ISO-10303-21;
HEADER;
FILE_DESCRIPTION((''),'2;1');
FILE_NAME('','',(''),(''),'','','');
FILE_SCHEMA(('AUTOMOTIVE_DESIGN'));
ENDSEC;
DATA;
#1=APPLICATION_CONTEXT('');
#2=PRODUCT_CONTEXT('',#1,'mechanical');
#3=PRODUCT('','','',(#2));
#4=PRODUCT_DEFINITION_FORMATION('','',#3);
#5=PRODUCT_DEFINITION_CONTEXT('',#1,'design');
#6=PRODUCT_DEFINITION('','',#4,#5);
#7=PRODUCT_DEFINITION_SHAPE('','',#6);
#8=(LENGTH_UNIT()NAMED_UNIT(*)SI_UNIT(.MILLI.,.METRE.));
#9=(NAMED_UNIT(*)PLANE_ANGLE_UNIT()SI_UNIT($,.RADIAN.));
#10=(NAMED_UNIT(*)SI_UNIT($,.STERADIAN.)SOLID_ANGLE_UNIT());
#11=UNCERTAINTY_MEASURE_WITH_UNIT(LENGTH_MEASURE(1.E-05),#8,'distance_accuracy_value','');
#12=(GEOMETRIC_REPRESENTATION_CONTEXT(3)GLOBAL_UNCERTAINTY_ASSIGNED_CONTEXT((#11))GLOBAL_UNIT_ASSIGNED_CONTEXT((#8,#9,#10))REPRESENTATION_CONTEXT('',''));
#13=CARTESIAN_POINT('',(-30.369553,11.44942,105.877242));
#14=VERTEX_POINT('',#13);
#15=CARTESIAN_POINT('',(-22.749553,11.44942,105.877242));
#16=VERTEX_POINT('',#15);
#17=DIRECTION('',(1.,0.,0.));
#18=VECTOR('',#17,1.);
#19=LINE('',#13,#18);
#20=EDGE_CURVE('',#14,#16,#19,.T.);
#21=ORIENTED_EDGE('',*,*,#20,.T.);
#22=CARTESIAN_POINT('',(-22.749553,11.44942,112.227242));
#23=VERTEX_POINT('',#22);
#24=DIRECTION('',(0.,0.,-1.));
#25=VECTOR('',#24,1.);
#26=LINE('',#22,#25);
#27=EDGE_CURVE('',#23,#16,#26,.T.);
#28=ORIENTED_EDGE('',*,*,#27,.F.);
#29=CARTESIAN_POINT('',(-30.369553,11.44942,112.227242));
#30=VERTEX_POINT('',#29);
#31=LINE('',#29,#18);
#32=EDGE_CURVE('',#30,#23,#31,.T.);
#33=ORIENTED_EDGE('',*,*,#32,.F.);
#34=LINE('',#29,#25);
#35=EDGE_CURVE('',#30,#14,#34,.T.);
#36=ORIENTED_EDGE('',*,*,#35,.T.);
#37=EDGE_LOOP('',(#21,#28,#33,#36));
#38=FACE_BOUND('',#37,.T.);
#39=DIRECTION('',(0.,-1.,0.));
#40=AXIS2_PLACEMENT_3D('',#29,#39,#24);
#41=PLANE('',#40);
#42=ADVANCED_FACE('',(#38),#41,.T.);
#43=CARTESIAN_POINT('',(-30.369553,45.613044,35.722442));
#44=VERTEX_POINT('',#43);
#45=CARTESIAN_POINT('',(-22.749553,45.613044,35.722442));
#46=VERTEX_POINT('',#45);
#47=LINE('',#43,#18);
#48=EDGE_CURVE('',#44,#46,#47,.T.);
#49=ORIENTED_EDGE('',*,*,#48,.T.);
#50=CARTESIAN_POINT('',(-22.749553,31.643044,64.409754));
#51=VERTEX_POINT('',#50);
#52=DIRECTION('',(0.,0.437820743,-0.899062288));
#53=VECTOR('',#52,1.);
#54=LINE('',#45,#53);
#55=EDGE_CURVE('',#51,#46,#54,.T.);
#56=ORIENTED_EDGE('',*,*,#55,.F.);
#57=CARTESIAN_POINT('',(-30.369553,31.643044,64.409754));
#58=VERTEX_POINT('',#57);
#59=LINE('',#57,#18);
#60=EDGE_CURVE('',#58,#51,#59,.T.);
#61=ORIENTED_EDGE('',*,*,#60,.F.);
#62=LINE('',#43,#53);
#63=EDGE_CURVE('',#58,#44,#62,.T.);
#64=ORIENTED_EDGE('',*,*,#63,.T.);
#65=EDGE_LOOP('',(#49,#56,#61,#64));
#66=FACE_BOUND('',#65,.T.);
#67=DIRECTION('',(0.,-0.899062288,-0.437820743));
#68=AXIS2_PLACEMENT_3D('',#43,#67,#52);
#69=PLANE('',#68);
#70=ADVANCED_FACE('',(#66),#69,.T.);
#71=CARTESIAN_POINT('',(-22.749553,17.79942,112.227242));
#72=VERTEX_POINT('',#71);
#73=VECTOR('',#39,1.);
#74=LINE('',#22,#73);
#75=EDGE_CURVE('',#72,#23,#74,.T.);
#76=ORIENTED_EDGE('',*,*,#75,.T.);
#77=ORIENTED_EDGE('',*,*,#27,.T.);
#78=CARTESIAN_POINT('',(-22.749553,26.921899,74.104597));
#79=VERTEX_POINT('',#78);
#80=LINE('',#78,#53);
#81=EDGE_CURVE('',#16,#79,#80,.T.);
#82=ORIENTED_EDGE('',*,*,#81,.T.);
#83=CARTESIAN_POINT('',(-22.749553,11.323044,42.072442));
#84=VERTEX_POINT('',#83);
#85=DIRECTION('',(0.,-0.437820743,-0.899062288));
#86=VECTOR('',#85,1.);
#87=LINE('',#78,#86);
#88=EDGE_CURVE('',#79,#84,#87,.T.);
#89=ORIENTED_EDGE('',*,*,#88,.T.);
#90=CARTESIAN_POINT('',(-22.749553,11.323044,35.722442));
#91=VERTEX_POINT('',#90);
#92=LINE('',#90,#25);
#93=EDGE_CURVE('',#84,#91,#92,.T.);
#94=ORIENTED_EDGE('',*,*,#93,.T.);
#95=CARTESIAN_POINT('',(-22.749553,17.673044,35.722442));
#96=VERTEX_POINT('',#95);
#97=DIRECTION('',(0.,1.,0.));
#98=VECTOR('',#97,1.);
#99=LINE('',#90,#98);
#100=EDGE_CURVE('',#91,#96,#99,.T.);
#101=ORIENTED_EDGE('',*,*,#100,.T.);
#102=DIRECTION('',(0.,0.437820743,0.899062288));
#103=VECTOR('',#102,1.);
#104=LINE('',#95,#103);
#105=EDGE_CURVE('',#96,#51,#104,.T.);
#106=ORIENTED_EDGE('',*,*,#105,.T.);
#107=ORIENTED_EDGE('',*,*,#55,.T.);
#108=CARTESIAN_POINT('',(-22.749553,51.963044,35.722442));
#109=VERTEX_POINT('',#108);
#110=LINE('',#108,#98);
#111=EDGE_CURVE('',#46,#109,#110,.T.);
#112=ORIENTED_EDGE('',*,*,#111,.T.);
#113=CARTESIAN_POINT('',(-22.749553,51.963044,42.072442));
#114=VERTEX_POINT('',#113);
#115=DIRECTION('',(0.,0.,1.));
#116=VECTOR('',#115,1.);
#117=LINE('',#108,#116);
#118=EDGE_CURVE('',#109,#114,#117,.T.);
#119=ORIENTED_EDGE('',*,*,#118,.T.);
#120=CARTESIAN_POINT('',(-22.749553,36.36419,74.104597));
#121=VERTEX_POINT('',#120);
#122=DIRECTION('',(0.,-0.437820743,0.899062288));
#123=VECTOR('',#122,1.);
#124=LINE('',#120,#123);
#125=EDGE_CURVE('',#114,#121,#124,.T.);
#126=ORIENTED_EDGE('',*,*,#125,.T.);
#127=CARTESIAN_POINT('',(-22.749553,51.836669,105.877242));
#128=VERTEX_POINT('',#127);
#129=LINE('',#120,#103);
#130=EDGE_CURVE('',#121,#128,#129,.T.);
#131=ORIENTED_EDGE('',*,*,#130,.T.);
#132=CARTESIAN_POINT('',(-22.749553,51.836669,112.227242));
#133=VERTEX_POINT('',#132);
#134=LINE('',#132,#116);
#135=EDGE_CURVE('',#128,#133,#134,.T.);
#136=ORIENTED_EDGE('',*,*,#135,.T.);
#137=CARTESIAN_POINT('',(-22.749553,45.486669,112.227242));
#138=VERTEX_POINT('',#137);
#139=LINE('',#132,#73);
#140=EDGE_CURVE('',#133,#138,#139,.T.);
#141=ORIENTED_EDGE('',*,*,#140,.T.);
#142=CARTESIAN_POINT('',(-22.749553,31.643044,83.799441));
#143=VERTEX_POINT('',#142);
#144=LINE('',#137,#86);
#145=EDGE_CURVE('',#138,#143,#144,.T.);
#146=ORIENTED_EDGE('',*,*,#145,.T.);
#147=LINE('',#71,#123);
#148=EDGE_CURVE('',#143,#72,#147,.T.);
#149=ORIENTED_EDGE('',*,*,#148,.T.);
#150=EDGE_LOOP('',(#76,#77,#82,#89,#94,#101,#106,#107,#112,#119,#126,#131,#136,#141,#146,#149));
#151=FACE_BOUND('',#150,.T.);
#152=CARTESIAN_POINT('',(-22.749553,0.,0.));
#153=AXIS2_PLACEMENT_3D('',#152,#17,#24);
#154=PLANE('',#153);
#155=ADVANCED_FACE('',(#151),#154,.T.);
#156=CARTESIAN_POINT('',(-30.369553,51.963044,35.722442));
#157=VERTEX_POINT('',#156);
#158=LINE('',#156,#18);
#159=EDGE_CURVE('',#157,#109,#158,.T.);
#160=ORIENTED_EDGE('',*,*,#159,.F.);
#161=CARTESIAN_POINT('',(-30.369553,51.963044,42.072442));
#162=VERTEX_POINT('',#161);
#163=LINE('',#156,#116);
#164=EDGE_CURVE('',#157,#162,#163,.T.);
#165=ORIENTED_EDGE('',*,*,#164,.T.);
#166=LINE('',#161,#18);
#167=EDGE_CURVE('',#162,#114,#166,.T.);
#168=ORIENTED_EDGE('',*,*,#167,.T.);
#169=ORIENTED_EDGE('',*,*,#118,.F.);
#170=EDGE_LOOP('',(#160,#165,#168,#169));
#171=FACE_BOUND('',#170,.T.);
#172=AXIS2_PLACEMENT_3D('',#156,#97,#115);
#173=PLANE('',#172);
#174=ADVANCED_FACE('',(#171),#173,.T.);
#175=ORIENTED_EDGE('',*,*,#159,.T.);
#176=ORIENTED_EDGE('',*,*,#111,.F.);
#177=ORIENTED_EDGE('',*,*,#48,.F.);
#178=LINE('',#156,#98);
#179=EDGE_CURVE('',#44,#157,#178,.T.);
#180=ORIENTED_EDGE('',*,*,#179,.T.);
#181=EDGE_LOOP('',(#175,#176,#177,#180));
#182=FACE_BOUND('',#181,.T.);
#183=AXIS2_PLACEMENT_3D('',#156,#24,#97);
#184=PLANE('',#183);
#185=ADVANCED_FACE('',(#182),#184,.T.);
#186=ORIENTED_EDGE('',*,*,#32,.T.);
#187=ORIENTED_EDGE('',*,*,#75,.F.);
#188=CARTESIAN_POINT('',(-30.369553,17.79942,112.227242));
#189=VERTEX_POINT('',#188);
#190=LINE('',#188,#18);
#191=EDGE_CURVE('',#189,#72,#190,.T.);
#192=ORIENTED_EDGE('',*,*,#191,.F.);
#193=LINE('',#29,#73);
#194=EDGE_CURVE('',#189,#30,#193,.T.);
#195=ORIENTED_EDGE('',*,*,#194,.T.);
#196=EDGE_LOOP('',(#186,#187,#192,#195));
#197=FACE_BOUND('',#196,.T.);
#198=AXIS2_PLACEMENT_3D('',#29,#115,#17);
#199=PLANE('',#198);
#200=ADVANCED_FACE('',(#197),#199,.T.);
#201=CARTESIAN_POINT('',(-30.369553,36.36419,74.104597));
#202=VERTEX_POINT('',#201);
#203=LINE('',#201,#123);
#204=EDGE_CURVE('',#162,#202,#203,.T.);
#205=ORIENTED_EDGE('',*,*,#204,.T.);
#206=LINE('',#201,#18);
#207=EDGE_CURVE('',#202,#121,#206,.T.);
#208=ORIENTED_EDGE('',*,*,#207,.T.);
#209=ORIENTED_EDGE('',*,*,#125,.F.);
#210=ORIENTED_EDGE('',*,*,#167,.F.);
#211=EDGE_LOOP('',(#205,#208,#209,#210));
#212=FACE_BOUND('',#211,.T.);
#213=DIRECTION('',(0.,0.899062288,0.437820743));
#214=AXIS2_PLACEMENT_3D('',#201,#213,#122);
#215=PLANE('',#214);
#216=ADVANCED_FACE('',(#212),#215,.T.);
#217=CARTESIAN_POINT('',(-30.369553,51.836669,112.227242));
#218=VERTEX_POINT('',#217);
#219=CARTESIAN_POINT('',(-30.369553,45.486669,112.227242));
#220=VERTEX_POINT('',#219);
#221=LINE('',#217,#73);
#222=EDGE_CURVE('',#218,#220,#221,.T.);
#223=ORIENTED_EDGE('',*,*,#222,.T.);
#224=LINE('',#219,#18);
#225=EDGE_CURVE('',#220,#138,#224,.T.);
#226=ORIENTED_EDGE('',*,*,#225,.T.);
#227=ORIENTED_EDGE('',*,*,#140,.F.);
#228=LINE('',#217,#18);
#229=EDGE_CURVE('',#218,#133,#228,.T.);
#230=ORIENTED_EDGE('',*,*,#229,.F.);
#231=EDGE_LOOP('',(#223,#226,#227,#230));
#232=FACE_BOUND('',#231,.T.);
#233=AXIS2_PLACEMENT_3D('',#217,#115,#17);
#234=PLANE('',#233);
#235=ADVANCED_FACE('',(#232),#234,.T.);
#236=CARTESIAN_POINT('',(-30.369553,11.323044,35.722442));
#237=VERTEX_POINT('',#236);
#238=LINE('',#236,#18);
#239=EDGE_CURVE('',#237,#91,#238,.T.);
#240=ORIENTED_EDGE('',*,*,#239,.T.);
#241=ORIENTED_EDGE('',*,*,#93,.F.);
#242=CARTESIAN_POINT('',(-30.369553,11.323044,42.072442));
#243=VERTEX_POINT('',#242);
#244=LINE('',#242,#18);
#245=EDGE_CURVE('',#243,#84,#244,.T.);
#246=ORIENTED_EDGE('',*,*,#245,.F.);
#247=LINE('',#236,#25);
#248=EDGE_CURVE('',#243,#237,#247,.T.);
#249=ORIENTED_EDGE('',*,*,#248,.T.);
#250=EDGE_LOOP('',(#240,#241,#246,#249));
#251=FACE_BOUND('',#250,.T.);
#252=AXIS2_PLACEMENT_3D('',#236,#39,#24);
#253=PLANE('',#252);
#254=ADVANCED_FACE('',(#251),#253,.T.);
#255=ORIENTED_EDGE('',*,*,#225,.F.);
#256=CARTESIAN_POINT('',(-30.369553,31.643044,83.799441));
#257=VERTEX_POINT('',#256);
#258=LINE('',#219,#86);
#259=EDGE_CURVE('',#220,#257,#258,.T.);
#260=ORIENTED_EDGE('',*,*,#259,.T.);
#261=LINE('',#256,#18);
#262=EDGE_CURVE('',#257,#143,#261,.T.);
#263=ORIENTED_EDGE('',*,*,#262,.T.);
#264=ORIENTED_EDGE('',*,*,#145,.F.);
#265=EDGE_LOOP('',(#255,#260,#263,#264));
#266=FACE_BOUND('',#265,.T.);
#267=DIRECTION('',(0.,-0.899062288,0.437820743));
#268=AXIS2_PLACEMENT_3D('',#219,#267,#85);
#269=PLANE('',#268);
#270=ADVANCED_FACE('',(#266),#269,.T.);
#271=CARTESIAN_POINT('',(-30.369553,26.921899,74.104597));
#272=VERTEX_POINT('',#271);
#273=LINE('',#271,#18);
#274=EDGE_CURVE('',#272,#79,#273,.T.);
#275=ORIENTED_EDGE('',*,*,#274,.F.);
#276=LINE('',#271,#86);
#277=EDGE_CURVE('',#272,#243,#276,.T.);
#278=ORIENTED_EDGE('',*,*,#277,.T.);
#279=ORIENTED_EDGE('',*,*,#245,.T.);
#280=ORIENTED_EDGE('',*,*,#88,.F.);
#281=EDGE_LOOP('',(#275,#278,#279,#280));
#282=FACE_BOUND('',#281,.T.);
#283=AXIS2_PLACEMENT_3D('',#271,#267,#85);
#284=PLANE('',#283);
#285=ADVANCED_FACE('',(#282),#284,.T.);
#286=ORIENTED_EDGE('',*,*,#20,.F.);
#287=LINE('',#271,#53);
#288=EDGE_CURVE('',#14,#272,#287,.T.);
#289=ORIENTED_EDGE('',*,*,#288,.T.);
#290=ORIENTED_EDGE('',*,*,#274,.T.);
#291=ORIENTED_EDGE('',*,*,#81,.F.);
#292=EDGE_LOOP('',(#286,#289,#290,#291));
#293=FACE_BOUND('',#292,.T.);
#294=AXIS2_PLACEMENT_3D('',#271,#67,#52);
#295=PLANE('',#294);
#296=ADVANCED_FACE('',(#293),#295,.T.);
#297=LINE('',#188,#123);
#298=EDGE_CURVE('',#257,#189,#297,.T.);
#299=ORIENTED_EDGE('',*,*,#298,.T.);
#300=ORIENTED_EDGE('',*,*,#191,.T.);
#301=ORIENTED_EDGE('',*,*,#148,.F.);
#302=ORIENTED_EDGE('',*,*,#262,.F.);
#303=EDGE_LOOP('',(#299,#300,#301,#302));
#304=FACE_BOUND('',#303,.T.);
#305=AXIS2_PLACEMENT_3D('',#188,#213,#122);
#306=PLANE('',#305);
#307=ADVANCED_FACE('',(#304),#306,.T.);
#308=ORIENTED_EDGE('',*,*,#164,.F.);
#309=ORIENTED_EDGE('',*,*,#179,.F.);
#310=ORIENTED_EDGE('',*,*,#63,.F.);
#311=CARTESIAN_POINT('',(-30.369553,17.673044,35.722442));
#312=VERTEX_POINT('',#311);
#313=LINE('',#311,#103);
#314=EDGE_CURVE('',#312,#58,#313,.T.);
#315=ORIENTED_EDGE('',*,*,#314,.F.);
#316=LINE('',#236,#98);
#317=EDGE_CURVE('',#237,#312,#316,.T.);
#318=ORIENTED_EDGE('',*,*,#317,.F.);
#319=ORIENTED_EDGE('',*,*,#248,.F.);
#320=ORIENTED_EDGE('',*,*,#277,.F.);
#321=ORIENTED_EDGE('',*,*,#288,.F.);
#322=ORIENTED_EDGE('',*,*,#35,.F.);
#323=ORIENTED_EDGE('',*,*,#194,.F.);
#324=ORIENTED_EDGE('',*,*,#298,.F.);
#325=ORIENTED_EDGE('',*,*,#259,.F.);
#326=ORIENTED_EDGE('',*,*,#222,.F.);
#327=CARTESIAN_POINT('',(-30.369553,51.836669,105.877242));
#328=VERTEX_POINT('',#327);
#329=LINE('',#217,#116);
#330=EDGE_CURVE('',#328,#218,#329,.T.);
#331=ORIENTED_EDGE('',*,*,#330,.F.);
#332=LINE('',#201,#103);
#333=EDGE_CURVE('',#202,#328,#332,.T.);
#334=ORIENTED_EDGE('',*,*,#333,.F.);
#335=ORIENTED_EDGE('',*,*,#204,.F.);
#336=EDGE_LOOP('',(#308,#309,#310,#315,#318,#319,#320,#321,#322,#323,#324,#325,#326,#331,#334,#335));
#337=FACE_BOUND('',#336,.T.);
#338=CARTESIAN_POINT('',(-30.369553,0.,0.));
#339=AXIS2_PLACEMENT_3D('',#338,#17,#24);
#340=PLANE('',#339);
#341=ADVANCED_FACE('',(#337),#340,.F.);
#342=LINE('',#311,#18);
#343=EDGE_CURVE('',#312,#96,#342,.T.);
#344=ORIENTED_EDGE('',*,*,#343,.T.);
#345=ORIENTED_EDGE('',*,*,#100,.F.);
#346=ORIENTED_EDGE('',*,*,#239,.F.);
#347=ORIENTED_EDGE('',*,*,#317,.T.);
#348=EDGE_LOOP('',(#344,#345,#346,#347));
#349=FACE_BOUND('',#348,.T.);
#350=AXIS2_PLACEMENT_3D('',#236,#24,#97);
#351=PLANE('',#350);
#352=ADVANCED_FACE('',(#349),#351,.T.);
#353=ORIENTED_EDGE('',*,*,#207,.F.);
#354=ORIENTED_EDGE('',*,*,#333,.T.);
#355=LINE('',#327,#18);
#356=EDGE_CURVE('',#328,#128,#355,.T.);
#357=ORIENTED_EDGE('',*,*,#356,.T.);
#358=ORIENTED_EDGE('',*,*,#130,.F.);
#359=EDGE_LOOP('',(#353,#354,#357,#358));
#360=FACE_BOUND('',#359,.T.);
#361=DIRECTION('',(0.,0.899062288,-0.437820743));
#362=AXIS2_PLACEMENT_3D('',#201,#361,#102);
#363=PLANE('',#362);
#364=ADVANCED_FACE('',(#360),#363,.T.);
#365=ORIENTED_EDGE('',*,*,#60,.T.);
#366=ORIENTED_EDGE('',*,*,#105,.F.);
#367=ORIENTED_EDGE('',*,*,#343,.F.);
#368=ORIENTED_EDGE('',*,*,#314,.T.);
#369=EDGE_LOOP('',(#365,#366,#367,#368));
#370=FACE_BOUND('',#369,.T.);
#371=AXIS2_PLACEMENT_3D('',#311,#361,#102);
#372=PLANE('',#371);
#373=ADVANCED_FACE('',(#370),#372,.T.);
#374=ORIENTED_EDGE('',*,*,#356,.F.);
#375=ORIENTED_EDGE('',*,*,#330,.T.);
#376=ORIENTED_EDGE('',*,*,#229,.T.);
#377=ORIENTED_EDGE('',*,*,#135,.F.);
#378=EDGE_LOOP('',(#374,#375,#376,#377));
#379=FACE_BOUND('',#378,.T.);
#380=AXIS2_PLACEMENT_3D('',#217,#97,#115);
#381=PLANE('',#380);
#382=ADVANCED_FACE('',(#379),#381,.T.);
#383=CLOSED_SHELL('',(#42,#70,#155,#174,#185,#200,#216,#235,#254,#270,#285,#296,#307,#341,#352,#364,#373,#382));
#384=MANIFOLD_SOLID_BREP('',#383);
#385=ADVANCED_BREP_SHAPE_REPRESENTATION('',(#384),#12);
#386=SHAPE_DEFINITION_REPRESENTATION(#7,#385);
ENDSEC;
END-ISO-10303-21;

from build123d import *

# Parameters (mm, degrees)
BOSS_EXTRUDE1_DEPTH = 7.62


with BuildPart() as part:
    # Sketch1 → Boss-Extrude1 (new body)
    with BuildSketch(Plane(origin=(-22.749553377, 0, 0), x_dir=(0, 0, -1), z_dir=(1, 0, 0))):
        Polygon((-112.227241806, 51.836669294), (-105.877241806, 51.836669294), (-74.104597168, 36.364189717), (-42.072441806, 51.963044496), (-35.722441806, 51.963044496), (-35.722441806, 45.613044496), (-64.409753583, 31.643044496), (-35.722441806, 17.673044496), (-35.722441806, 11.323044496), (-42.072441806, 11.323044496), (-74.104597168, 26.921899275), (-105.877241806, 11.449419699), (-112.227241806, 11.449419699), (-112.227241806, 17.799419699), (-83.799440754, 31.643044496), (-112.227241806, 45.486669294), align=None)
    extrude(amount=-BOSS_EXTRUDE1_DEPTH)


solid = part.part
